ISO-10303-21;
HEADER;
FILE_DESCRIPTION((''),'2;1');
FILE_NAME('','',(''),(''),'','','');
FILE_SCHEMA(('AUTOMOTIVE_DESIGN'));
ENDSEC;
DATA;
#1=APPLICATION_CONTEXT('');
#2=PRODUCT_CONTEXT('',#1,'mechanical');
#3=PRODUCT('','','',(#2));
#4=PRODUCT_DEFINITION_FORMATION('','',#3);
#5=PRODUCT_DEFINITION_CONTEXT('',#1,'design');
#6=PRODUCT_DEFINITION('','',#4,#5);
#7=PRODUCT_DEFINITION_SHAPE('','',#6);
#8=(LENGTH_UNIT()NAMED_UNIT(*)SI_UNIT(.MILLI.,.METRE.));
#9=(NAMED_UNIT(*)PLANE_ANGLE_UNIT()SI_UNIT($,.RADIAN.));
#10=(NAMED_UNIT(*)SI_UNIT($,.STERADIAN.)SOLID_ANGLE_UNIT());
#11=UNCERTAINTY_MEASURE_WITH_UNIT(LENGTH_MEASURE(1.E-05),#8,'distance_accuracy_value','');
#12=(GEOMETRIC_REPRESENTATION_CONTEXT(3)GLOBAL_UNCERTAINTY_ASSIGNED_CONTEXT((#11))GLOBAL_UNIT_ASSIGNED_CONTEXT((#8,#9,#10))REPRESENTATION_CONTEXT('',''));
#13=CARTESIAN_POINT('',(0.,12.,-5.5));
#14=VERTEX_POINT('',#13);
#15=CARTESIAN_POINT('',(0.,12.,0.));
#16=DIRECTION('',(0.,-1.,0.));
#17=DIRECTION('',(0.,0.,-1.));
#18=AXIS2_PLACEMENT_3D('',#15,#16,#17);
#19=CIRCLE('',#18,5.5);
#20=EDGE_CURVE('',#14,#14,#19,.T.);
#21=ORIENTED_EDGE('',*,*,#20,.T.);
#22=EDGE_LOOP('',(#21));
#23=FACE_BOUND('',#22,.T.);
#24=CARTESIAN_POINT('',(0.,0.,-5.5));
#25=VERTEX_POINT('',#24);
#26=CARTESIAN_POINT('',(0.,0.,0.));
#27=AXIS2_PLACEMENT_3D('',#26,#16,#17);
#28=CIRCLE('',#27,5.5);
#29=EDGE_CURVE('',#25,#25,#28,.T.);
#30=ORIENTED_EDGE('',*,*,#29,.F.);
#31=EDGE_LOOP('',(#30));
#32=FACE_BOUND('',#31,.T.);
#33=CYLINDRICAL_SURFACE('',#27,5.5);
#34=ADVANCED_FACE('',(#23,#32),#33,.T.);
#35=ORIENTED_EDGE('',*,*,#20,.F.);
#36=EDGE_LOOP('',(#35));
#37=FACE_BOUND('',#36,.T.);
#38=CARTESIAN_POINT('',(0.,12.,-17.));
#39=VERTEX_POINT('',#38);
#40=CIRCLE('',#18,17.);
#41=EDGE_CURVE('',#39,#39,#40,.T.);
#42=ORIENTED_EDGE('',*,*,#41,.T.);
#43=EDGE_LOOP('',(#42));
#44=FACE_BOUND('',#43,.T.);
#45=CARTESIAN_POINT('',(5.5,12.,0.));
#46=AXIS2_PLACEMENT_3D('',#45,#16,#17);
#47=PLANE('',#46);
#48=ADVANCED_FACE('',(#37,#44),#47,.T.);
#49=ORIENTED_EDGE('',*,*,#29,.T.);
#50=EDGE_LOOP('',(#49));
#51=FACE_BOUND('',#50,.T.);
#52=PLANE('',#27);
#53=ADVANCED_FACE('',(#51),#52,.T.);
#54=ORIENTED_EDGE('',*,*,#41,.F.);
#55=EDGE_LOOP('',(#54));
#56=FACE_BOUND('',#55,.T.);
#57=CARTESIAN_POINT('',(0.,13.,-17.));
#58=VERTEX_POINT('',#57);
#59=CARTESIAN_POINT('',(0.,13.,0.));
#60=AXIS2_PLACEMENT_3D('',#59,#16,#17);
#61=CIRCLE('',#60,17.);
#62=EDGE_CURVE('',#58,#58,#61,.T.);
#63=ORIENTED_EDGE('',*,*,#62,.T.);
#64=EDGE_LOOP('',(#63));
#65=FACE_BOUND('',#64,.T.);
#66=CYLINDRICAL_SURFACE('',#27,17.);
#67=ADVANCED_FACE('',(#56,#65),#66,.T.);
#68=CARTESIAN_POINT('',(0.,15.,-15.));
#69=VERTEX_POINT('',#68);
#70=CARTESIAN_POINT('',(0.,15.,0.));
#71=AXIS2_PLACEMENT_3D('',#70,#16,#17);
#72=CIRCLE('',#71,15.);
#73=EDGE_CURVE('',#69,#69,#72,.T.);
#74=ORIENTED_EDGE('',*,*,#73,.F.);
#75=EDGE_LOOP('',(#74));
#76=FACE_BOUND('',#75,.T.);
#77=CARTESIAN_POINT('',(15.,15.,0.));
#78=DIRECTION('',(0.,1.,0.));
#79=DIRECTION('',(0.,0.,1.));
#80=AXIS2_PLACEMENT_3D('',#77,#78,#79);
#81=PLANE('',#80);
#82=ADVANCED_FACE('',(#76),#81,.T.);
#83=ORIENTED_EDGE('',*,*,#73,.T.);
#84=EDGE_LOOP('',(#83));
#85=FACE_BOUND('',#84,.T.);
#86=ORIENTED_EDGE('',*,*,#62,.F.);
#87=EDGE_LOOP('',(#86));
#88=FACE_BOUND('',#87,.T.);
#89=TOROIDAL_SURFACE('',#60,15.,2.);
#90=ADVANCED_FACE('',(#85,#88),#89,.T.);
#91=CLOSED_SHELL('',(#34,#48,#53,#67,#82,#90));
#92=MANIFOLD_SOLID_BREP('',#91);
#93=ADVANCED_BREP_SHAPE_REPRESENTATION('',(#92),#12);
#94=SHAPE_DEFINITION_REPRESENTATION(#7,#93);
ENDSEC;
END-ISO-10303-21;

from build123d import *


with BuildPart() as part:
    # Sketch1 → Revolve1 (revolve)
    with BuildSketch(Plane.XY, mode=Mode.PRIVATE) as revolve1_sk:
        with BuildLine():
            Line((0, 0), (5.5, 0))
            Line((5.5, 0), (5.5, 12))
            Line((5.5, 12), (17, 12))
            Line((17, 12), (17, 13))
            ThreePointArc((17, 13), (16.414213562, 14.414213562), (15, 15))
            Line((15, 15), (0, 15))
            Line((0, 15), (0, 0))
        make_face()
    revolve(revolve1_sk.sketch.rotate(Axis((0, 0, 0), (0, 1, 0)), 90), axis=Axis((0, 0, 0), (0, 1, 0)))


solid = part.part
